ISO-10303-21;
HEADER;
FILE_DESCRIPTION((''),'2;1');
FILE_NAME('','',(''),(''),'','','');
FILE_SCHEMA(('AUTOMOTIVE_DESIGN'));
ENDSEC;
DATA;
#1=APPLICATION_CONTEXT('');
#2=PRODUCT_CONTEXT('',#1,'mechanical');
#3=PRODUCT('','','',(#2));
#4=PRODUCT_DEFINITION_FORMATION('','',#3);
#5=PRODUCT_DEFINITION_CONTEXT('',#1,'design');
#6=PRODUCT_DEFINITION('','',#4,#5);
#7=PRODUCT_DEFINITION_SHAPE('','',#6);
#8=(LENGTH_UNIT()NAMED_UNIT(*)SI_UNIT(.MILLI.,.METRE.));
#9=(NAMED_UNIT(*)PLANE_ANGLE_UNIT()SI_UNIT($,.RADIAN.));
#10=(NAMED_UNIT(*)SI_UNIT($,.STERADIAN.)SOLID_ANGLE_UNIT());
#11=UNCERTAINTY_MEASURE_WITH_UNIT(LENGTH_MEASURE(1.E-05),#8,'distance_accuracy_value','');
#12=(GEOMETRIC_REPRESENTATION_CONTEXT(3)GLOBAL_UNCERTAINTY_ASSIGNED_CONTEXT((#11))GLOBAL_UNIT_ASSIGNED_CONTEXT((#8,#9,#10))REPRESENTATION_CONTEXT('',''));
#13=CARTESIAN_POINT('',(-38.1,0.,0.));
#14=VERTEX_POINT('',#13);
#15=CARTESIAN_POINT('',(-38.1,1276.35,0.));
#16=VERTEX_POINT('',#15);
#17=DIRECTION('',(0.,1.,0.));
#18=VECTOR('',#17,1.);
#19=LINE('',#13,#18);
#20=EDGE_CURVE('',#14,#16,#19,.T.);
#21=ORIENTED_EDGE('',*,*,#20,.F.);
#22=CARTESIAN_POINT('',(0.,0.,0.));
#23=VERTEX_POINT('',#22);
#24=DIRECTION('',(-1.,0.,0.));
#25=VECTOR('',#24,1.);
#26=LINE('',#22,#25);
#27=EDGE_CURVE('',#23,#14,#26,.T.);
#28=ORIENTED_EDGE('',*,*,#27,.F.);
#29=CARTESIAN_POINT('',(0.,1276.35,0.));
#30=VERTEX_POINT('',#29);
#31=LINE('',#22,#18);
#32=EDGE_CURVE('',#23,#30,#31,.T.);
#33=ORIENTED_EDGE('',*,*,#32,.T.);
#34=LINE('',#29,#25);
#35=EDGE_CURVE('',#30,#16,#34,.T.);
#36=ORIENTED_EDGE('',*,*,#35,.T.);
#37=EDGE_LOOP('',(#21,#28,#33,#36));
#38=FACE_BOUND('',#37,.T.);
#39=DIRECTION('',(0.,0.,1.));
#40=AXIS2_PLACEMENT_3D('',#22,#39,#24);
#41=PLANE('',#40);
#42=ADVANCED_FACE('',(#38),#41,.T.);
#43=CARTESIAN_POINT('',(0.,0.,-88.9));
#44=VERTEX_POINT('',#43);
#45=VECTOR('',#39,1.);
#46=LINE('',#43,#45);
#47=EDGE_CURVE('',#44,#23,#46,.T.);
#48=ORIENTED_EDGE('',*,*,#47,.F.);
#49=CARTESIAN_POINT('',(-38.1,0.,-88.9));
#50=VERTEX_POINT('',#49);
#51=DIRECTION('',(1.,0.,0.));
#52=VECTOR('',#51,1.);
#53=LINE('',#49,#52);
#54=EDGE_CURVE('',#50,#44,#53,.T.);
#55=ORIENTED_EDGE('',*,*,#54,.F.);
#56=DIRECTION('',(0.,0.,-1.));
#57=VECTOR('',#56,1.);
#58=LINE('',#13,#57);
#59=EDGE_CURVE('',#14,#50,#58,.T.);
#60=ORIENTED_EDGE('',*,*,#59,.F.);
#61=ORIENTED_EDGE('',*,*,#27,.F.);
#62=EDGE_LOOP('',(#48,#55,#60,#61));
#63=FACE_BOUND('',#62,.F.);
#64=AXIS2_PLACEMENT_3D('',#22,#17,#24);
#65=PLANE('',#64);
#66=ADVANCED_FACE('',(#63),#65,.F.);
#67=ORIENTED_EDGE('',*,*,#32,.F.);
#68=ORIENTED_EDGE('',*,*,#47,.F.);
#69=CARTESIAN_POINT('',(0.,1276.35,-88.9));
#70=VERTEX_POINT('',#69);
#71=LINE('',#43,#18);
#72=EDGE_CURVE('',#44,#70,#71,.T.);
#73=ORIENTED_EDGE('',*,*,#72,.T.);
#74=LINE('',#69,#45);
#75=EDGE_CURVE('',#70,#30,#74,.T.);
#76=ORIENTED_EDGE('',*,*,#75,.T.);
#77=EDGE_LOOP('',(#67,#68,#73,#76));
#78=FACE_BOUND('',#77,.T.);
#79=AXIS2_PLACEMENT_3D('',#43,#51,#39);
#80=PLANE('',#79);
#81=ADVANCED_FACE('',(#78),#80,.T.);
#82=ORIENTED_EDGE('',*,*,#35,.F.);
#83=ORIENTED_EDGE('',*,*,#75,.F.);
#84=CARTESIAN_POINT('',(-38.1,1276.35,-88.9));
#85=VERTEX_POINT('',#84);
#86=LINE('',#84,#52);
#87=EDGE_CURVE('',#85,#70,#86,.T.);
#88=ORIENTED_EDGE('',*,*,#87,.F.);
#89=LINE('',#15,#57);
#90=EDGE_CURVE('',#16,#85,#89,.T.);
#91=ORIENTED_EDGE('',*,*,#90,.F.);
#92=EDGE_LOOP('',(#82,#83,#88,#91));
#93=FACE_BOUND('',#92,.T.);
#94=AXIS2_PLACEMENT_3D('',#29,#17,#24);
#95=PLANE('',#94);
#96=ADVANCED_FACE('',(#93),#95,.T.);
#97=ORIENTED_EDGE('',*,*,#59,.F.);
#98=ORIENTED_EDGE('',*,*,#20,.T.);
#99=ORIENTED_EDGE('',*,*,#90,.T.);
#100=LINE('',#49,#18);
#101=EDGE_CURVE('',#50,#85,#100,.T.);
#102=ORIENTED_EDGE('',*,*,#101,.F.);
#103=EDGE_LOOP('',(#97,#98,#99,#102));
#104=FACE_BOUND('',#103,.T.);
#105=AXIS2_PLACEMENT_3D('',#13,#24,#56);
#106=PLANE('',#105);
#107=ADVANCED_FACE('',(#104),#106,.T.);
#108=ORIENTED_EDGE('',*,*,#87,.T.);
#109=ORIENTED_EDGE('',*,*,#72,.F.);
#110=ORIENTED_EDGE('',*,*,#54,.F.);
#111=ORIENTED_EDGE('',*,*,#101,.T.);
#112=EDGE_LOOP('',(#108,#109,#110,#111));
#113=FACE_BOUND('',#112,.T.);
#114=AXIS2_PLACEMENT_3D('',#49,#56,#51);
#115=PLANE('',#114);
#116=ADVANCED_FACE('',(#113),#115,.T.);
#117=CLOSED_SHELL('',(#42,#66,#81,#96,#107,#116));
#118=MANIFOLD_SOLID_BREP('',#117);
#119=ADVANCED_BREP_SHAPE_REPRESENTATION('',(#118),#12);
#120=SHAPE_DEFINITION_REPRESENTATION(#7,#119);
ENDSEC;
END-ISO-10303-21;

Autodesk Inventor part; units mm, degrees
ref_plane "YZ Plane" through (0, 0, 0) normal (1, 0, 0) x (0, 1, 0)
ref_plane "XZ Plane" through (0, 0, 0) normal (0, 1, 0) x (-1, 0, 0)
ref_plane "XY Plane" through (0, 0, 0) normal (0, 0, 1) x (1, 0, 0)
sketch "Sketch1" plane through (0, 0, 0) normal (0, 1, 0) x (-1, 0, 0)
  line L0 (0, 0) -> (38.1, 0)
  line L1 (38.1, 0) -> (38.1, -88.9)
  line L2 (38.1, -88.9) -> (0, -88.9)
  line L3 (0, -88.9) -> (0, 0)
  dimension "d0" = 88.9
  dimension "d1" = 38.1
extrude "Extrusion1" add sketch "Sketch1" along normal blind 1276.35
properties part number "Sill_Plate_With_Length_50.25_Inches" material "Wood (Birch)"
